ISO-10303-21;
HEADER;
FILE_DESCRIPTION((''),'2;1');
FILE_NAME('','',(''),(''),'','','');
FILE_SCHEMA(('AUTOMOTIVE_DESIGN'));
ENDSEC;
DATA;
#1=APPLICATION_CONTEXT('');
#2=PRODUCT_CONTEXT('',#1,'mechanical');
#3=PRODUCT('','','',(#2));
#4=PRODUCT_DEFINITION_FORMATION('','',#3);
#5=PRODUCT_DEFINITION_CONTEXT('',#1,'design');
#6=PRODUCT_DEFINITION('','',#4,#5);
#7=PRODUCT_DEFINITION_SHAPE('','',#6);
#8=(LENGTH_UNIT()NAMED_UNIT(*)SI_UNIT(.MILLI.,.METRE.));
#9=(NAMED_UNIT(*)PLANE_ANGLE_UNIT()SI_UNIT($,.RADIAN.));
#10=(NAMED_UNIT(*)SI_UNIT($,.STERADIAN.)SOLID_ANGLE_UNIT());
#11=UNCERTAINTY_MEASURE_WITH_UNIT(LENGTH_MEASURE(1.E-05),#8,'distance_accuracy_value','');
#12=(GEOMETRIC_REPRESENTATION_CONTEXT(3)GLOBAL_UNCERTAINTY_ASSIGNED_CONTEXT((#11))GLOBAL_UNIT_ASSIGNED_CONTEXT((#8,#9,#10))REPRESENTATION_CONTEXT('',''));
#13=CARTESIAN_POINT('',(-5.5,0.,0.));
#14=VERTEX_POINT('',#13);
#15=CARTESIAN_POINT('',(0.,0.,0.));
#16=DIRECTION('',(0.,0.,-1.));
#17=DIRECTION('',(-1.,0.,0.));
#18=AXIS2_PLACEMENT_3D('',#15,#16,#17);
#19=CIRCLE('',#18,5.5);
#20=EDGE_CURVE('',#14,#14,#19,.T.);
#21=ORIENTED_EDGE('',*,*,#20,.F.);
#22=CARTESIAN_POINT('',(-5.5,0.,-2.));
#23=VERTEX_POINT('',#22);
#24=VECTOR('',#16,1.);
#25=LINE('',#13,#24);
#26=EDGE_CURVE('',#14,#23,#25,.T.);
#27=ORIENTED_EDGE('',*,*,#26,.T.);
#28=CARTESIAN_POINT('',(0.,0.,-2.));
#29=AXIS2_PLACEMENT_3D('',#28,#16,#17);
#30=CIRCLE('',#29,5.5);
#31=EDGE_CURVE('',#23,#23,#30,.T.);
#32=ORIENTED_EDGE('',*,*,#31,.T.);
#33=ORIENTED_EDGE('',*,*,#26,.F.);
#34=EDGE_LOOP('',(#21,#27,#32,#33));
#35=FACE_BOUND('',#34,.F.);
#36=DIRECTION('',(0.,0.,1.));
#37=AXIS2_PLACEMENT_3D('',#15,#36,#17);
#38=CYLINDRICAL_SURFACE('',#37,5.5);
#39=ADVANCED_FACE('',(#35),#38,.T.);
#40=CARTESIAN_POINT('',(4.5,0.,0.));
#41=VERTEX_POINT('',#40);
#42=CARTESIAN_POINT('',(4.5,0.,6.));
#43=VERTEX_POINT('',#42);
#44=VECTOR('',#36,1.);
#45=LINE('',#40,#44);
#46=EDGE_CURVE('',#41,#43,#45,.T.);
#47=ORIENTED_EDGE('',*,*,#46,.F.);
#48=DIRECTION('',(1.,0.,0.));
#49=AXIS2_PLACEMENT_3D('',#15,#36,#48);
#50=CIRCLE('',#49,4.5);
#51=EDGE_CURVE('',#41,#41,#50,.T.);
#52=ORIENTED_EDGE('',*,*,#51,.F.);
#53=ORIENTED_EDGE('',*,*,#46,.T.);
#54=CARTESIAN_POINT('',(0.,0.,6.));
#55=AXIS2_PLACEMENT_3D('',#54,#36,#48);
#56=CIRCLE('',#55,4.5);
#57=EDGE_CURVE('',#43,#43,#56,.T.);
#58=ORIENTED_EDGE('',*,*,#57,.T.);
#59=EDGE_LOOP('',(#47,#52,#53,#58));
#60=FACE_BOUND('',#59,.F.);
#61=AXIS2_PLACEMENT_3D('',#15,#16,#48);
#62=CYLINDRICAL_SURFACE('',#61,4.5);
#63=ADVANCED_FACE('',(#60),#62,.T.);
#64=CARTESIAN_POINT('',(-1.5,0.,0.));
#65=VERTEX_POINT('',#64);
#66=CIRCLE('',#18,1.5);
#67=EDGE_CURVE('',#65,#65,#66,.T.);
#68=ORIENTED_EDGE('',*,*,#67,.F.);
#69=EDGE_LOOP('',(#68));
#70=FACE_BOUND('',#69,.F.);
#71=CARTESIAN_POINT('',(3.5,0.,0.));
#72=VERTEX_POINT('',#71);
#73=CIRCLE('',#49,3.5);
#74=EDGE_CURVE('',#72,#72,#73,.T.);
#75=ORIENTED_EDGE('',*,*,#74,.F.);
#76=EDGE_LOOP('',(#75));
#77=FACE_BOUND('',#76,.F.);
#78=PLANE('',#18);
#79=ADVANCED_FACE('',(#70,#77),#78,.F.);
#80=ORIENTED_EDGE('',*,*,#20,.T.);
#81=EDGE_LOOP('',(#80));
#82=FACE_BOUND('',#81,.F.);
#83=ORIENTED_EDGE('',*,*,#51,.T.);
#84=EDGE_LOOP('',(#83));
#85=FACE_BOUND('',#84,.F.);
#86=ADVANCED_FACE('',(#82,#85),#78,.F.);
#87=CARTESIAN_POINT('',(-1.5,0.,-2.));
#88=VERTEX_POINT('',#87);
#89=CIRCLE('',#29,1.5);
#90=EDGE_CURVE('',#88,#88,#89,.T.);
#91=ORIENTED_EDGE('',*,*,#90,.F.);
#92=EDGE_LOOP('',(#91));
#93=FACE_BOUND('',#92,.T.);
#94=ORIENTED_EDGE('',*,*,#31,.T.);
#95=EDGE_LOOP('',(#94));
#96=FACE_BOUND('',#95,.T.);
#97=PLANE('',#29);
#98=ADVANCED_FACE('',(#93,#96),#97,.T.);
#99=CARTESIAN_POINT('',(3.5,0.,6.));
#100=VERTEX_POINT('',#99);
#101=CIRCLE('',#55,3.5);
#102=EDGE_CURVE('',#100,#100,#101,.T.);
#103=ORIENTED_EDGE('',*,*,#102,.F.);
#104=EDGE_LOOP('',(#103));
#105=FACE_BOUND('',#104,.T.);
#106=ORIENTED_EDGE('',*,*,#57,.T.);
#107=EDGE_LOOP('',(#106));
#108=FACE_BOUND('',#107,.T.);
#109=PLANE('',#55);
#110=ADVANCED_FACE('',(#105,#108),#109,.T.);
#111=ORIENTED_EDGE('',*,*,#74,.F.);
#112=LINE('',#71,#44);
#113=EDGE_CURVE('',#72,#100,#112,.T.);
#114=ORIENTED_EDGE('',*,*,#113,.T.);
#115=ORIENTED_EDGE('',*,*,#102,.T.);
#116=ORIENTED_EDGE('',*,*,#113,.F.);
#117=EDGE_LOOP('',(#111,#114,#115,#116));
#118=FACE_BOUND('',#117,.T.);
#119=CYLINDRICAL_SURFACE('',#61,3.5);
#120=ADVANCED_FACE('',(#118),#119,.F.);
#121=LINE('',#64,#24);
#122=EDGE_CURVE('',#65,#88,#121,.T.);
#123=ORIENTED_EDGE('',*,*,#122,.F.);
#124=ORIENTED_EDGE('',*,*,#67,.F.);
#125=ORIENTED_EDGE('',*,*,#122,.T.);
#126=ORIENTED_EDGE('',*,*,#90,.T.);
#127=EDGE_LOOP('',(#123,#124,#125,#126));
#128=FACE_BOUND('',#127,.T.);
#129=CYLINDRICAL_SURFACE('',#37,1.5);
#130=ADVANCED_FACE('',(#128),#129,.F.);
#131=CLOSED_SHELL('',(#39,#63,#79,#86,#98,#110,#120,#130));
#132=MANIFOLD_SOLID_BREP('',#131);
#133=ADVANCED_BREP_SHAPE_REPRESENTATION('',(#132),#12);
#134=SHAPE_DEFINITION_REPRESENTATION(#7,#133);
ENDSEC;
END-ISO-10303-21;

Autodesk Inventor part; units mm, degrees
ref_plane "YZ Plane" through (0, 0, 0) normal (1, 0, 0) x (0, 1, 0)
ref_plane "XZ Plane" through (0, 0, 0) normal (0, 1, 0) x (-1, 0, 0)
ref_plane "XY Plane" through (0, 0, 0) normal (0, 0, 1) x (1, 0, 0)
sketch "Sketch1" plane through (0, 0, 0) normal (0, 0, 1) x (1, 0, 0)
  circle A0 centre (0, 0) radius 3.5
  circle A1 centre (0, 0) radius 4.5
  dimension "d0" = 7
  dimension "d1" = 9
extrude "Extrusion1" add sketch "Sketch1" along normal blind 6
sketch "Sketch2" plane through (0, 0, 0) normal (0, 0, -1) x (-1, 0, 0)
  circle A0 centre (0, 0) radius 1.5
  circle A1 centre (0, 0) radius 5.5
  dimension "d4" = 3
  dimension "d5" = 11
extrude "Extrusion2" add sketch "Sketch2" along normal blind 2
properties part number "cork"
